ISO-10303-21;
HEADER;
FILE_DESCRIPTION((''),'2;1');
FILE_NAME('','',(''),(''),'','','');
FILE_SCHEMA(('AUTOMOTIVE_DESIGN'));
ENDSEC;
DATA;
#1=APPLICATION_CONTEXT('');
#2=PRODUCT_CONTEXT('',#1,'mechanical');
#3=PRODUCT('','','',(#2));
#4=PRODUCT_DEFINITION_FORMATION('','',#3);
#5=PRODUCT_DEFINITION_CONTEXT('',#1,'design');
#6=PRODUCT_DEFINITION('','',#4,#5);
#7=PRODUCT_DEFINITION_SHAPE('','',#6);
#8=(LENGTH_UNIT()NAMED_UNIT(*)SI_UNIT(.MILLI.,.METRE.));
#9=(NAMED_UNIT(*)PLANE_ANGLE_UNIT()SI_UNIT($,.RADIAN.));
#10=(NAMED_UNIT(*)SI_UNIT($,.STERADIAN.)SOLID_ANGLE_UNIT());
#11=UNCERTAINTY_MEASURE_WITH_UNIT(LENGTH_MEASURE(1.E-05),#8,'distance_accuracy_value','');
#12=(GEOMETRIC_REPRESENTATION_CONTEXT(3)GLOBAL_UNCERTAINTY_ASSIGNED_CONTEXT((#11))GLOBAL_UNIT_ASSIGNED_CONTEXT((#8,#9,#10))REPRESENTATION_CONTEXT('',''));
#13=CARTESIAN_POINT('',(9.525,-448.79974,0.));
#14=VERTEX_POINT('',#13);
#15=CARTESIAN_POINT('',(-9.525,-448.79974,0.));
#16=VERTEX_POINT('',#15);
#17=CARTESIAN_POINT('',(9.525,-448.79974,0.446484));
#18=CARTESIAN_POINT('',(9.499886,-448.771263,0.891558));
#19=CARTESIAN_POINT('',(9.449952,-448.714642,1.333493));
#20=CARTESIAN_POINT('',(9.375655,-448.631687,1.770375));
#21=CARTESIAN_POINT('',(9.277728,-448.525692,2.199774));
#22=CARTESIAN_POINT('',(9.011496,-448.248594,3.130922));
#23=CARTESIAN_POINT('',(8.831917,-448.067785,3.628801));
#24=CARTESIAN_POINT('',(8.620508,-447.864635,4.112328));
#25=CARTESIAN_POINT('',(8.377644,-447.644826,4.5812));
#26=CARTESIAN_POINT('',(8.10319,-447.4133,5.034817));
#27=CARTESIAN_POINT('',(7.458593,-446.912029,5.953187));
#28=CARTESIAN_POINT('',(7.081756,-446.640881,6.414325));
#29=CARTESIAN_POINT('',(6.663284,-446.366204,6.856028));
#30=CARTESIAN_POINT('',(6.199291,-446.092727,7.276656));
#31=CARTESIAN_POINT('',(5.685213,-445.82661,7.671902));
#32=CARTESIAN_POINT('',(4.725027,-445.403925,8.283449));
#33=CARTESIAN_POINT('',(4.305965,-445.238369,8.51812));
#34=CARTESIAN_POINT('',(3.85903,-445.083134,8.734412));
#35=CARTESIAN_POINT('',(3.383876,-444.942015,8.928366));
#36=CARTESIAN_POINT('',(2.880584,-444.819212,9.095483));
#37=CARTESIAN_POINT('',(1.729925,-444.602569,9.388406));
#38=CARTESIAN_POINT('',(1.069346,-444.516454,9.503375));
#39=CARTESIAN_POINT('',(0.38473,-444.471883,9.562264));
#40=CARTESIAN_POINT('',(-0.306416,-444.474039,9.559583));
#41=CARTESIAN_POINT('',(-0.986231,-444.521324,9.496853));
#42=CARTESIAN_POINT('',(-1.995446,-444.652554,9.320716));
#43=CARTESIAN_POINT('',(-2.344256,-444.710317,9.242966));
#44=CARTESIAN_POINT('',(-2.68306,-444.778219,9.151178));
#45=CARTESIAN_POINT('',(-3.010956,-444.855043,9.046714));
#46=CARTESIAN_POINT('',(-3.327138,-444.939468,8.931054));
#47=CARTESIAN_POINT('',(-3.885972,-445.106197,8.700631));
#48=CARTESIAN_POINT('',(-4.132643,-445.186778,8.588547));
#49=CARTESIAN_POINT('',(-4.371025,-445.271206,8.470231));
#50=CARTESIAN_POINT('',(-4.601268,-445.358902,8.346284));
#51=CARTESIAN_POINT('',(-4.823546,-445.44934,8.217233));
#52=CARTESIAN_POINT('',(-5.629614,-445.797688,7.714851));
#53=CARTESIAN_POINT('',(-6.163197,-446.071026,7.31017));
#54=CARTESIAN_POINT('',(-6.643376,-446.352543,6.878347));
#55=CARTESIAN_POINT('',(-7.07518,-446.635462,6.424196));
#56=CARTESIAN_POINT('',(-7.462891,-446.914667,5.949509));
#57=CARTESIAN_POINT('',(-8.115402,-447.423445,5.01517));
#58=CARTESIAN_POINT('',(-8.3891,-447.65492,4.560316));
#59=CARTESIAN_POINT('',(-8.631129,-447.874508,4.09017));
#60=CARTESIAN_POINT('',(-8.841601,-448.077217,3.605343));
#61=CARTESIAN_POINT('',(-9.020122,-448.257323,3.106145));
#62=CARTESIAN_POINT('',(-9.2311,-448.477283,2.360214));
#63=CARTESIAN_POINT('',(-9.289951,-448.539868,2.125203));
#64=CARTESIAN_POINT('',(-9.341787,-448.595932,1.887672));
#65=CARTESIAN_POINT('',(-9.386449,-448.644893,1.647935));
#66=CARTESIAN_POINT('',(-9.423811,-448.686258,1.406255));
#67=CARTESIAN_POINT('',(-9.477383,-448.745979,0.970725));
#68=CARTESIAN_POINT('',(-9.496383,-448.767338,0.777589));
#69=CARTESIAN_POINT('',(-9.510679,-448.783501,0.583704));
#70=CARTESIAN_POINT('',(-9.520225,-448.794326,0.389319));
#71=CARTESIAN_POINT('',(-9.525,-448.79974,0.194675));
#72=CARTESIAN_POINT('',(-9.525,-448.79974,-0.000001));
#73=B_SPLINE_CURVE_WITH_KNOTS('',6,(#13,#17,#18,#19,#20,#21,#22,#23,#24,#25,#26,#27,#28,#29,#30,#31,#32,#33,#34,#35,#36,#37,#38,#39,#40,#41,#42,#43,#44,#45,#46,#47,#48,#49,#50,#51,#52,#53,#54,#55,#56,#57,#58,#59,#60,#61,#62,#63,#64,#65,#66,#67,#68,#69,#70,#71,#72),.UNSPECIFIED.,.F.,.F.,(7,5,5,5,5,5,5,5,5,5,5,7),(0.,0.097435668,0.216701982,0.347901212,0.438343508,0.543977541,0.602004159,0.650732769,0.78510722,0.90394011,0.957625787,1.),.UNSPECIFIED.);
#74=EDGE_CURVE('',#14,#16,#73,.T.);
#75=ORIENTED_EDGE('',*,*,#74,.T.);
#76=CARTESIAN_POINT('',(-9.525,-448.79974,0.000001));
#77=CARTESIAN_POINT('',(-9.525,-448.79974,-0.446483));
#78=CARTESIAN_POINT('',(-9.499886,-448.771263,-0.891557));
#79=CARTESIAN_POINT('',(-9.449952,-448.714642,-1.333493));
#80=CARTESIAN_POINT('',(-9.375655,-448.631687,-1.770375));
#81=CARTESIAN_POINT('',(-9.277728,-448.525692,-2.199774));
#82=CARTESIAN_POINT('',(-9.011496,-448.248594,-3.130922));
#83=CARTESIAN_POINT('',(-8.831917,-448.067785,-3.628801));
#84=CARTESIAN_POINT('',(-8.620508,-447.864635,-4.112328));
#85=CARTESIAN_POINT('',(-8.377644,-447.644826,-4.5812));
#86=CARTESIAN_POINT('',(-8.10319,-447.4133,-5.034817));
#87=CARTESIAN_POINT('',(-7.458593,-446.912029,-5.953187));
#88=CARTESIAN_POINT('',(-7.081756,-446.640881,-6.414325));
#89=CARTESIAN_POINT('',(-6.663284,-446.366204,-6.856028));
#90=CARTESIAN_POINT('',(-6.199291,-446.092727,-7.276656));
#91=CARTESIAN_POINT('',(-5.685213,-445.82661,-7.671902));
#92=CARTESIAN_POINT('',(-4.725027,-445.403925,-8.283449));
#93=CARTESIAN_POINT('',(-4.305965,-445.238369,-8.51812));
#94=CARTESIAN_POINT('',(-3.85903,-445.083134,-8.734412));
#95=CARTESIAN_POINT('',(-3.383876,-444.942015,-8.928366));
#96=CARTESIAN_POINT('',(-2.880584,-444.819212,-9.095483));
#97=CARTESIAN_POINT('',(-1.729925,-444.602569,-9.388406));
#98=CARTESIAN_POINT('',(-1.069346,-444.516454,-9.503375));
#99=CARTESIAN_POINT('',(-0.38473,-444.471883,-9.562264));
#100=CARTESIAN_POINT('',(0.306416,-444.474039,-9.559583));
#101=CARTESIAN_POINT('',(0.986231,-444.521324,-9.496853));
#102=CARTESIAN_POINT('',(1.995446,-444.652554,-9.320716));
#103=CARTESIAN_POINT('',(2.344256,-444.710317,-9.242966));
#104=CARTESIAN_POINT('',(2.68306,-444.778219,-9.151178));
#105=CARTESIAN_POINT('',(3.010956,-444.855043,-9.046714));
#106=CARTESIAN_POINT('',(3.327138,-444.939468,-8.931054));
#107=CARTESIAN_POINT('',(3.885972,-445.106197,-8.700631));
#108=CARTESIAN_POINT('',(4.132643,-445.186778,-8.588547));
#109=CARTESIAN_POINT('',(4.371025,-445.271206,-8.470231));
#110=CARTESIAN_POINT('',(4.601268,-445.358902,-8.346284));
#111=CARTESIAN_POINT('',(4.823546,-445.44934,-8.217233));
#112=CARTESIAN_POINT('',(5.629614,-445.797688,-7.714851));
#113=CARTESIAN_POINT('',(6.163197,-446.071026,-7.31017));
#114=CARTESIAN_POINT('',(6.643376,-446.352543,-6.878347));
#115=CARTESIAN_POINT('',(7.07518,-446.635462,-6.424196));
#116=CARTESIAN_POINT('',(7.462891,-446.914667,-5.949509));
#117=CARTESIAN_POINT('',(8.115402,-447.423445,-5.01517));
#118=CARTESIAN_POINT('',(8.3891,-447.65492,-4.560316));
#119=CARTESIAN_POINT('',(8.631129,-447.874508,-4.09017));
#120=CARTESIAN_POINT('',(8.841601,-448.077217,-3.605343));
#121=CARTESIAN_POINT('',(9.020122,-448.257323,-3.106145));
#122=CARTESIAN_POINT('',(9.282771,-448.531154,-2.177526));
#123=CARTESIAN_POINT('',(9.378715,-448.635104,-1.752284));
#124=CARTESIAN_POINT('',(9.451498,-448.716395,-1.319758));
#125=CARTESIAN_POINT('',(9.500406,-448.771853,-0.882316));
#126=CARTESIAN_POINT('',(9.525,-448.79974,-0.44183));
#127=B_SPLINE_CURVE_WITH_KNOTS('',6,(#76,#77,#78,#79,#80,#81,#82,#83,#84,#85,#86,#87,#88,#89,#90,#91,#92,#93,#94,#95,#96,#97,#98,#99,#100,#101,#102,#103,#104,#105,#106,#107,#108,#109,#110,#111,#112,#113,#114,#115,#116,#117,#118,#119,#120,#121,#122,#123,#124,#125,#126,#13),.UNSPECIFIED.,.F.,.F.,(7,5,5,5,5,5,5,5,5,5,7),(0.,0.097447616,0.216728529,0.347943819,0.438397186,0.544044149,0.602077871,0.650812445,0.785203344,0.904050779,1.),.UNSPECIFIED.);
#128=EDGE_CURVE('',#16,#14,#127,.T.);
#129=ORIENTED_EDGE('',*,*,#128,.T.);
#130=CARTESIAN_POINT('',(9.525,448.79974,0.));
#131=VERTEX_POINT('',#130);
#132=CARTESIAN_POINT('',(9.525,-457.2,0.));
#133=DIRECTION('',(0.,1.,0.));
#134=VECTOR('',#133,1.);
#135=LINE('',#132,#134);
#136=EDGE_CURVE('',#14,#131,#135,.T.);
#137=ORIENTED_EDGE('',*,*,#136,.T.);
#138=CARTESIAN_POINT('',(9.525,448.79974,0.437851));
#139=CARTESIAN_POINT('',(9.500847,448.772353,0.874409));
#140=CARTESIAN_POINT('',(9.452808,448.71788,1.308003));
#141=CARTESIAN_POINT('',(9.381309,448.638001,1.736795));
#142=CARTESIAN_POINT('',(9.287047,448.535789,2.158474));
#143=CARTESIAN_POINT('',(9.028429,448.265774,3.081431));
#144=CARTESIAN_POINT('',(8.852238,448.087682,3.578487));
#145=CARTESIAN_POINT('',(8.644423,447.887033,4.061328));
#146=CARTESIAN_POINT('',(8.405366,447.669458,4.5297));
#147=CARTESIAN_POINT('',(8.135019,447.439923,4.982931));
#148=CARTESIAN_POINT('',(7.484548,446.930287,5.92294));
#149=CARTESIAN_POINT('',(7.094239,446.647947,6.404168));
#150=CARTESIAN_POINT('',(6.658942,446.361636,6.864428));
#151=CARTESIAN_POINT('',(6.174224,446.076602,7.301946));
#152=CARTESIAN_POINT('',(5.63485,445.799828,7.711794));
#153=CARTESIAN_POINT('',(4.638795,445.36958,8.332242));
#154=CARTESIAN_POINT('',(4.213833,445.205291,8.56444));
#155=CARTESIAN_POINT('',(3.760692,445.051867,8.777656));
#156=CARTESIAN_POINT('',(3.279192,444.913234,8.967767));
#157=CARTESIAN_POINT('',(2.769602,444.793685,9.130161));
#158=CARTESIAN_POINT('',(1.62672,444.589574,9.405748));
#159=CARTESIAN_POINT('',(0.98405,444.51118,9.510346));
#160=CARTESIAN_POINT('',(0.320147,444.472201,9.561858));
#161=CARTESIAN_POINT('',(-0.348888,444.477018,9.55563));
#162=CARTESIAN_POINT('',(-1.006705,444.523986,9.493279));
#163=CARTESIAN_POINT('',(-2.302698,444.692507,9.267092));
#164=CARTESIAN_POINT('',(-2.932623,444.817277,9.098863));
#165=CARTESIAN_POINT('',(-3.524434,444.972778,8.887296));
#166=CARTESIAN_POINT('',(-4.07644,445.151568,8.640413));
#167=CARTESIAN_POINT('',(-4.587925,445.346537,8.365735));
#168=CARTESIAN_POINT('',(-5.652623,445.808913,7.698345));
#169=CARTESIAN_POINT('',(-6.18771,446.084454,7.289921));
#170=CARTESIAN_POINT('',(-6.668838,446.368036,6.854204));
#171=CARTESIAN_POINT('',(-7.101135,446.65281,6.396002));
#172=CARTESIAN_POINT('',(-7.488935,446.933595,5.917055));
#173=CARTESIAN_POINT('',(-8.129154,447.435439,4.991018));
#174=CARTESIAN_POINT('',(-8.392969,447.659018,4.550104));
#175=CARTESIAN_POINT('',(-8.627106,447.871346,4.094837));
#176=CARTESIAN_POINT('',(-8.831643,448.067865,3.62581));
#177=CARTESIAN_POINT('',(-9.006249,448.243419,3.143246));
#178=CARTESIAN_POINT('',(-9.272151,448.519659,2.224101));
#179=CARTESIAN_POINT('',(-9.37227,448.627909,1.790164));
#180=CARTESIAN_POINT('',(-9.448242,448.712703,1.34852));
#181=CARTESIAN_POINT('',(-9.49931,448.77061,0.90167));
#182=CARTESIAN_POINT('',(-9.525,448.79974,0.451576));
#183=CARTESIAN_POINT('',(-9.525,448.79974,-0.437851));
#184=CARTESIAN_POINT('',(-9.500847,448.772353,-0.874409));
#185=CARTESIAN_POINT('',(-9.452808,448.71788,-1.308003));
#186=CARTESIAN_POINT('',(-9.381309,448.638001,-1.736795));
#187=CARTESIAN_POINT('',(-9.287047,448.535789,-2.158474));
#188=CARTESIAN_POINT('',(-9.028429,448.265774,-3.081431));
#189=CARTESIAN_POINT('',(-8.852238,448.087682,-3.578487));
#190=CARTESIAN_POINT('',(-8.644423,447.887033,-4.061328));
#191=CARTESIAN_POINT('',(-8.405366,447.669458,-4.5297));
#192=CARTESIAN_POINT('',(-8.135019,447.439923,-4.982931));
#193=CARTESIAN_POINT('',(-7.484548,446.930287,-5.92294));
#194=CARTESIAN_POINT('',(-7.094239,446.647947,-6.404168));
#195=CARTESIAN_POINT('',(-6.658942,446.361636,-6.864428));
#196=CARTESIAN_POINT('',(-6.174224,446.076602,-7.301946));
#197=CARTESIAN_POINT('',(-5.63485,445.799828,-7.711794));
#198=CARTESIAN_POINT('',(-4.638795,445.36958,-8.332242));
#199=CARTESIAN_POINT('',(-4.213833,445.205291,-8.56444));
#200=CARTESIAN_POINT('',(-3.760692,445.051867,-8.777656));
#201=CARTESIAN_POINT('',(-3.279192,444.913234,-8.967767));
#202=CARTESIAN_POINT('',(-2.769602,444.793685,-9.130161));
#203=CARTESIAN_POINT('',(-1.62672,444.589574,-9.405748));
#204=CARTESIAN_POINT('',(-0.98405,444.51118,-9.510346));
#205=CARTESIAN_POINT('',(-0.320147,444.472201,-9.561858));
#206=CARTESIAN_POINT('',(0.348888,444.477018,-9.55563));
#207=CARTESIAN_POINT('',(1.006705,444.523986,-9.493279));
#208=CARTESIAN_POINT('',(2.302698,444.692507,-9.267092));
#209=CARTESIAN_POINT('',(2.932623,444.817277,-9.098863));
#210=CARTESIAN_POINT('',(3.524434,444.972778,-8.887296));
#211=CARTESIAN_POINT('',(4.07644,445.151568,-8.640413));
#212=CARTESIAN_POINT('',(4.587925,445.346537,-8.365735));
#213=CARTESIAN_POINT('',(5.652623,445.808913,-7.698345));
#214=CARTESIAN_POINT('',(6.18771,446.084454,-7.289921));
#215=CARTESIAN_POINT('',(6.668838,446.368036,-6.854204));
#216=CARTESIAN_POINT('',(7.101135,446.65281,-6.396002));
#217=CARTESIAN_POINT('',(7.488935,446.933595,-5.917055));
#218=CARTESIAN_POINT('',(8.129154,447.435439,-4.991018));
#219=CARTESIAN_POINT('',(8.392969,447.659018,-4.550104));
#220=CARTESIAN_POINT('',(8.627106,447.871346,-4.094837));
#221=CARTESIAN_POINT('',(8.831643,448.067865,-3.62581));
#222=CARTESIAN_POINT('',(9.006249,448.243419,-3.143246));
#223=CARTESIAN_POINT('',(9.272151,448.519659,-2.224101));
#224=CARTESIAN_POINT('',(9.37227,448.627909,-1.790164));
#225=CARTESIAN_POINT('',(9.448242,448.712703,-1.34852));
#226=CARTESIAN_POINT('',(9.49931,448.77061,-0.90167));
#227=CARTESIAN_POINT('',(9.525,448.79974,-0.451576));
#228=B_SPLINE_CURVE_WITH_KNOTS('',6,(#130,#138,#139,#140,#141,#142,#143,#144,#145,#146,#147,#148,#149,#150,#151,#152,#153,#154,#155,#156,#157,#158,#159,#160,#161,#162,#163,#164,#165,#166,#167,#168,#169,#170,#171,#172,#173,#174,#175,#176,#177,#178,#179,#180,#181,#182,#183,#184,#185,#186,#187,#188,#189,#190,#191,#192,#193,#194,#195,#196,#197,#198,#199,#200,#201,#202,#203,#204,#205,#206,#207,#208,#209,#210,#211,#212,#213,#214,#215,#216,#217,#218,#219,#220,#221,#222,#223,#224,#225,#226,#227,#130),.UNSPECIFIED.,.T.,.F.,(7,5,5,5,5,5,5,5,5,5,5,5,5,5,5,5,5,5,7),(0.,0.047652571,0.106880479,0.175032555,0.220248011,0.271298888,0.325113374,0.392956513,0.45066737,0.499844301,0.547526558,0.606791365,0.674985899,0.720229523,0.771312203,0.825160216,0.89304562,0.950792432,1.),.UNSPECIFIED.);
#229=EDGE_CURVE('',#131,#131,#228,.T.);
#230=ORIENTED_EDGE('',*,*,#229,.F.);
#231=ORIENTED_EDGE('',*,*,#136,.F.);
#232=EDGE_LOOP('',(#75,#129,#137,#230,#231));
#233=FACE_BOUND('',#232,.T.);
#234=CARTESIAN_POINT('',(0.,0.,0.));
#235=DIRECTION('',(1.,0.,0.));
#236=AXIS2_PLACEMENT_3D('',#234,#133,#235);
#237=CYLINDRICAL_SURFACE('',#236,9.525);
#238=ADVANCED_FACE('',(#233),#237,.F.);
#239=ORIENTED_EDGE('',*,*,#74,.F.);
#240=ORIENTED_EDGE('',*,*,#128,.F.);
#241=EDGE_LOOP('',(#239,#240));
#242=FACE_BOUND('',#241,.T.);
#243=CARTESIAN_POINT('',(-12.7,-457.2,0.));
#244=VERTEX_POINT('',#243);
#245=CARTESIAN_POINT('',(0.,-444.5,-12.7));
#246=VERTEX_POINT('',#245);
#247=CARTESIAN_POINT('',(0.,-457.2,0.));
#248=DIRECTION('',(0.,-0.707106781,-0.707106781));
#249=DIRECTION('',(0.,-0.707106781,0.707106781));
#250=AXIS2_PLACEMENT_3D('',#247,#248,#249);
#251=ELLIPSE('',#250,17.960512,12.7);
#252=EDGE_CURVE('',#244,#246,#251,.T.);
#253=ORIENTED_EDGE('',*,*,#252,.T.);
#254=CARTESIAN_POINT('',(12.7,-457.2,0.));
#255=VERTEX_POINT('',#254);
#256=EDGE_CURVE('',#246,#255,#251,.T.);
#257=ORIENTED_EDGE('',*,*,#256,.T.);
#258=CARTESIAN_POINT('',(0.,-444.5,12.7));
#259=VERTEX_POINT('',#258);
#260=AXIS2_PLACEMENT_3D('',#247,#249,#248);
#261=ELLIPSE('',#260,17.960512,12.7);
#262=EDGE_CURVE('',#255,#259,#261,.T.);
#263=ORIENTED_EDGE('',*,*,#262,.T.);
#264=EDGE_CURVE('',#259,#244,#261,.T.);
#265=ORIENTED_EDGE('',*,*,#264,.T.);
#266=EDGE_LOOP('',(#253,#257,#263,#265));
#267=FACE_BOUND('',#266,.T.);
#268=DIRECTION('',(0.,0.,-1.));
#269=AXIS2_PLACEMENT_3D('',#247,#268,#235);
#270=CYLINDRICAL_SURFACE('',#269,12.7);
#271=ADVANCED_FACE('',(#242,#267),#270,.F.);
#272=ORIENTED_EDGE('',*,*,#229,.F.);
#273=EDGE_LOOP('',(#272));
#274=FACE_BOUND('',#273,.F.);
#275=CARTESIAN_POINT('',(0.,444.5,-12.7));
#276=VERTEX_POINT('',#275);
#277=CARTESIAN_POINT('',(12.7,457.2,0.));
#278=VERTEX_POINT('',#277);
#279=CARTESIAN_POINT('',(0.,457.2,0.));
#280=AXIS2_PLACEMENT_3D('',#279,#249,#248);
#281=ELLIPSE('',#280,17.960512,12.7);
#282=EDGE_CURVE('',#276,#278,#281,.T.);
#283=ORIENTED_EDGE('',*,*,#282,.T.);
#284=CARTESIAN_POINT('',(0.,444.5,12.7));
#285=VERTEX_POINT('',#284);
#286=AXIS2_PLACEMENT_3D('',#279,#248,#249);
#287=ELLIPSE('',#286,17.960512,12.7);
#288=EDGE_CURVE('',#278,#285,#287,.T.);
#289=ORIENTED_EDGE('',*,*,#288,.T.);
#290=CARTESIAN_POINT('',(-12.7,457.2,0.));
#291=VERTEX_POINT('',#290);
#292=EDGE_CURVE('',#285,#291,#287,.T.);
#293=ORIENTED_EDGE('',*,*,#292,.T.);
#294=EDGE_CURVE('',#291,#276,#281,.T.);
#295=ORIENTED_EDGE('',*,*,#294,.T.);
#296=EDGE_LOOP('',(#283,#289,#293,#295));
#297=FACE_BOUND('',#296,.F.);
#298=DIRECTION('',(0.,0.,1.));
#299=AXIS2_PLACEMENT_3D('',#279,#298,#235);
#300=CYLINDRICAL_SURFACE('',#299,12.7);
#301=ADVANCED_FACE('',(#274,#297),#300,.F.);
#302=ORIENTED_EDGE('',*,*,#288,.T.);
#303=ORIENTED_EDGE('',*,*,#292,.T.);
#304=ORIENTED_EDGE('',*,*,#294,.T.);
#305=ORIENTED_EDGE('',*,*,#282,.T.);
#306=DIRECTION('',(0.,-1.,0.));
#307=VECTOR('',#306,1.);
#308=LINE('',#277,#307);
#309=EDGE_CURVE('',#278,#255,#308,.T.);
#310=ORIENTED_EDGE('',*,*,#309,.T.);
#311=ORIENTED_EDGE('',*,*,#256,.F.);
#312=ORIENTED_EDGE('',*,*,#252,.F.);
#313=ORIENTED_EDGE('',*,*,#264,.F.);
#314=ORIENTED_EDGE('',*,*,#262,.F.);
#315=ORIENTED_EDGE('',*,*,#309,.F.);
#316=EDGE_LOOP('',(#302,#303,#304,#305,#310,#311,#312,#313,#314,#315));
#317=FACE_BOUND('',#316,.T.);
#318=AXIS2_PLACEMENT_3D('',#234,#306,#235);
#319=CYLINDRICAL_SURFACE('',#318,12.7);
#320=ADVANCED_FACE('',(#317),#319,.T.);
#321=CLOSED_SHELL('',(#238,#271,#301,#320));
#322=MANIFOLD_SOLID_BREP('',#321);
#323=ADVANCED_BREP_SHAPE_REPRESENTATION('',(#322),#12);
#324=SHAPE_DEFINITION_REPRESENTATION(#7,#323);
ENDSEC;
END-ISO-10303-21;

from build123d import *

# Parameters (mm, degrees)
F0_R     = 12.7
F0_R_2   = 9.525
F1_DEPTH = 457.2
F2_R     = 12.7
F3_DEPTH = 12.7


with BuildPart() as f1:
    # F0 (on Front) → F1 (new body, symmetric)
    with BuildSketch(Plane.XZ):
        Circle(F0_R)
        Circle(F0_R_2, mode=Mode.SUBTRACT)
    extrude(amount=F1_DEPTH, both=True)

    # F2 (on Top) → F3 (cut, symmetric)
    with BuildSketch(Plane.XY):
        with Locations((0, -457.2)):
            Circle(F2_R)
        with Locations((0, 457.2)):
            Circle(F2_R)
    extrude(amount=F3_DEPTH, both=True, mode=Mode.SUBTRACT)


solid = f1.part
